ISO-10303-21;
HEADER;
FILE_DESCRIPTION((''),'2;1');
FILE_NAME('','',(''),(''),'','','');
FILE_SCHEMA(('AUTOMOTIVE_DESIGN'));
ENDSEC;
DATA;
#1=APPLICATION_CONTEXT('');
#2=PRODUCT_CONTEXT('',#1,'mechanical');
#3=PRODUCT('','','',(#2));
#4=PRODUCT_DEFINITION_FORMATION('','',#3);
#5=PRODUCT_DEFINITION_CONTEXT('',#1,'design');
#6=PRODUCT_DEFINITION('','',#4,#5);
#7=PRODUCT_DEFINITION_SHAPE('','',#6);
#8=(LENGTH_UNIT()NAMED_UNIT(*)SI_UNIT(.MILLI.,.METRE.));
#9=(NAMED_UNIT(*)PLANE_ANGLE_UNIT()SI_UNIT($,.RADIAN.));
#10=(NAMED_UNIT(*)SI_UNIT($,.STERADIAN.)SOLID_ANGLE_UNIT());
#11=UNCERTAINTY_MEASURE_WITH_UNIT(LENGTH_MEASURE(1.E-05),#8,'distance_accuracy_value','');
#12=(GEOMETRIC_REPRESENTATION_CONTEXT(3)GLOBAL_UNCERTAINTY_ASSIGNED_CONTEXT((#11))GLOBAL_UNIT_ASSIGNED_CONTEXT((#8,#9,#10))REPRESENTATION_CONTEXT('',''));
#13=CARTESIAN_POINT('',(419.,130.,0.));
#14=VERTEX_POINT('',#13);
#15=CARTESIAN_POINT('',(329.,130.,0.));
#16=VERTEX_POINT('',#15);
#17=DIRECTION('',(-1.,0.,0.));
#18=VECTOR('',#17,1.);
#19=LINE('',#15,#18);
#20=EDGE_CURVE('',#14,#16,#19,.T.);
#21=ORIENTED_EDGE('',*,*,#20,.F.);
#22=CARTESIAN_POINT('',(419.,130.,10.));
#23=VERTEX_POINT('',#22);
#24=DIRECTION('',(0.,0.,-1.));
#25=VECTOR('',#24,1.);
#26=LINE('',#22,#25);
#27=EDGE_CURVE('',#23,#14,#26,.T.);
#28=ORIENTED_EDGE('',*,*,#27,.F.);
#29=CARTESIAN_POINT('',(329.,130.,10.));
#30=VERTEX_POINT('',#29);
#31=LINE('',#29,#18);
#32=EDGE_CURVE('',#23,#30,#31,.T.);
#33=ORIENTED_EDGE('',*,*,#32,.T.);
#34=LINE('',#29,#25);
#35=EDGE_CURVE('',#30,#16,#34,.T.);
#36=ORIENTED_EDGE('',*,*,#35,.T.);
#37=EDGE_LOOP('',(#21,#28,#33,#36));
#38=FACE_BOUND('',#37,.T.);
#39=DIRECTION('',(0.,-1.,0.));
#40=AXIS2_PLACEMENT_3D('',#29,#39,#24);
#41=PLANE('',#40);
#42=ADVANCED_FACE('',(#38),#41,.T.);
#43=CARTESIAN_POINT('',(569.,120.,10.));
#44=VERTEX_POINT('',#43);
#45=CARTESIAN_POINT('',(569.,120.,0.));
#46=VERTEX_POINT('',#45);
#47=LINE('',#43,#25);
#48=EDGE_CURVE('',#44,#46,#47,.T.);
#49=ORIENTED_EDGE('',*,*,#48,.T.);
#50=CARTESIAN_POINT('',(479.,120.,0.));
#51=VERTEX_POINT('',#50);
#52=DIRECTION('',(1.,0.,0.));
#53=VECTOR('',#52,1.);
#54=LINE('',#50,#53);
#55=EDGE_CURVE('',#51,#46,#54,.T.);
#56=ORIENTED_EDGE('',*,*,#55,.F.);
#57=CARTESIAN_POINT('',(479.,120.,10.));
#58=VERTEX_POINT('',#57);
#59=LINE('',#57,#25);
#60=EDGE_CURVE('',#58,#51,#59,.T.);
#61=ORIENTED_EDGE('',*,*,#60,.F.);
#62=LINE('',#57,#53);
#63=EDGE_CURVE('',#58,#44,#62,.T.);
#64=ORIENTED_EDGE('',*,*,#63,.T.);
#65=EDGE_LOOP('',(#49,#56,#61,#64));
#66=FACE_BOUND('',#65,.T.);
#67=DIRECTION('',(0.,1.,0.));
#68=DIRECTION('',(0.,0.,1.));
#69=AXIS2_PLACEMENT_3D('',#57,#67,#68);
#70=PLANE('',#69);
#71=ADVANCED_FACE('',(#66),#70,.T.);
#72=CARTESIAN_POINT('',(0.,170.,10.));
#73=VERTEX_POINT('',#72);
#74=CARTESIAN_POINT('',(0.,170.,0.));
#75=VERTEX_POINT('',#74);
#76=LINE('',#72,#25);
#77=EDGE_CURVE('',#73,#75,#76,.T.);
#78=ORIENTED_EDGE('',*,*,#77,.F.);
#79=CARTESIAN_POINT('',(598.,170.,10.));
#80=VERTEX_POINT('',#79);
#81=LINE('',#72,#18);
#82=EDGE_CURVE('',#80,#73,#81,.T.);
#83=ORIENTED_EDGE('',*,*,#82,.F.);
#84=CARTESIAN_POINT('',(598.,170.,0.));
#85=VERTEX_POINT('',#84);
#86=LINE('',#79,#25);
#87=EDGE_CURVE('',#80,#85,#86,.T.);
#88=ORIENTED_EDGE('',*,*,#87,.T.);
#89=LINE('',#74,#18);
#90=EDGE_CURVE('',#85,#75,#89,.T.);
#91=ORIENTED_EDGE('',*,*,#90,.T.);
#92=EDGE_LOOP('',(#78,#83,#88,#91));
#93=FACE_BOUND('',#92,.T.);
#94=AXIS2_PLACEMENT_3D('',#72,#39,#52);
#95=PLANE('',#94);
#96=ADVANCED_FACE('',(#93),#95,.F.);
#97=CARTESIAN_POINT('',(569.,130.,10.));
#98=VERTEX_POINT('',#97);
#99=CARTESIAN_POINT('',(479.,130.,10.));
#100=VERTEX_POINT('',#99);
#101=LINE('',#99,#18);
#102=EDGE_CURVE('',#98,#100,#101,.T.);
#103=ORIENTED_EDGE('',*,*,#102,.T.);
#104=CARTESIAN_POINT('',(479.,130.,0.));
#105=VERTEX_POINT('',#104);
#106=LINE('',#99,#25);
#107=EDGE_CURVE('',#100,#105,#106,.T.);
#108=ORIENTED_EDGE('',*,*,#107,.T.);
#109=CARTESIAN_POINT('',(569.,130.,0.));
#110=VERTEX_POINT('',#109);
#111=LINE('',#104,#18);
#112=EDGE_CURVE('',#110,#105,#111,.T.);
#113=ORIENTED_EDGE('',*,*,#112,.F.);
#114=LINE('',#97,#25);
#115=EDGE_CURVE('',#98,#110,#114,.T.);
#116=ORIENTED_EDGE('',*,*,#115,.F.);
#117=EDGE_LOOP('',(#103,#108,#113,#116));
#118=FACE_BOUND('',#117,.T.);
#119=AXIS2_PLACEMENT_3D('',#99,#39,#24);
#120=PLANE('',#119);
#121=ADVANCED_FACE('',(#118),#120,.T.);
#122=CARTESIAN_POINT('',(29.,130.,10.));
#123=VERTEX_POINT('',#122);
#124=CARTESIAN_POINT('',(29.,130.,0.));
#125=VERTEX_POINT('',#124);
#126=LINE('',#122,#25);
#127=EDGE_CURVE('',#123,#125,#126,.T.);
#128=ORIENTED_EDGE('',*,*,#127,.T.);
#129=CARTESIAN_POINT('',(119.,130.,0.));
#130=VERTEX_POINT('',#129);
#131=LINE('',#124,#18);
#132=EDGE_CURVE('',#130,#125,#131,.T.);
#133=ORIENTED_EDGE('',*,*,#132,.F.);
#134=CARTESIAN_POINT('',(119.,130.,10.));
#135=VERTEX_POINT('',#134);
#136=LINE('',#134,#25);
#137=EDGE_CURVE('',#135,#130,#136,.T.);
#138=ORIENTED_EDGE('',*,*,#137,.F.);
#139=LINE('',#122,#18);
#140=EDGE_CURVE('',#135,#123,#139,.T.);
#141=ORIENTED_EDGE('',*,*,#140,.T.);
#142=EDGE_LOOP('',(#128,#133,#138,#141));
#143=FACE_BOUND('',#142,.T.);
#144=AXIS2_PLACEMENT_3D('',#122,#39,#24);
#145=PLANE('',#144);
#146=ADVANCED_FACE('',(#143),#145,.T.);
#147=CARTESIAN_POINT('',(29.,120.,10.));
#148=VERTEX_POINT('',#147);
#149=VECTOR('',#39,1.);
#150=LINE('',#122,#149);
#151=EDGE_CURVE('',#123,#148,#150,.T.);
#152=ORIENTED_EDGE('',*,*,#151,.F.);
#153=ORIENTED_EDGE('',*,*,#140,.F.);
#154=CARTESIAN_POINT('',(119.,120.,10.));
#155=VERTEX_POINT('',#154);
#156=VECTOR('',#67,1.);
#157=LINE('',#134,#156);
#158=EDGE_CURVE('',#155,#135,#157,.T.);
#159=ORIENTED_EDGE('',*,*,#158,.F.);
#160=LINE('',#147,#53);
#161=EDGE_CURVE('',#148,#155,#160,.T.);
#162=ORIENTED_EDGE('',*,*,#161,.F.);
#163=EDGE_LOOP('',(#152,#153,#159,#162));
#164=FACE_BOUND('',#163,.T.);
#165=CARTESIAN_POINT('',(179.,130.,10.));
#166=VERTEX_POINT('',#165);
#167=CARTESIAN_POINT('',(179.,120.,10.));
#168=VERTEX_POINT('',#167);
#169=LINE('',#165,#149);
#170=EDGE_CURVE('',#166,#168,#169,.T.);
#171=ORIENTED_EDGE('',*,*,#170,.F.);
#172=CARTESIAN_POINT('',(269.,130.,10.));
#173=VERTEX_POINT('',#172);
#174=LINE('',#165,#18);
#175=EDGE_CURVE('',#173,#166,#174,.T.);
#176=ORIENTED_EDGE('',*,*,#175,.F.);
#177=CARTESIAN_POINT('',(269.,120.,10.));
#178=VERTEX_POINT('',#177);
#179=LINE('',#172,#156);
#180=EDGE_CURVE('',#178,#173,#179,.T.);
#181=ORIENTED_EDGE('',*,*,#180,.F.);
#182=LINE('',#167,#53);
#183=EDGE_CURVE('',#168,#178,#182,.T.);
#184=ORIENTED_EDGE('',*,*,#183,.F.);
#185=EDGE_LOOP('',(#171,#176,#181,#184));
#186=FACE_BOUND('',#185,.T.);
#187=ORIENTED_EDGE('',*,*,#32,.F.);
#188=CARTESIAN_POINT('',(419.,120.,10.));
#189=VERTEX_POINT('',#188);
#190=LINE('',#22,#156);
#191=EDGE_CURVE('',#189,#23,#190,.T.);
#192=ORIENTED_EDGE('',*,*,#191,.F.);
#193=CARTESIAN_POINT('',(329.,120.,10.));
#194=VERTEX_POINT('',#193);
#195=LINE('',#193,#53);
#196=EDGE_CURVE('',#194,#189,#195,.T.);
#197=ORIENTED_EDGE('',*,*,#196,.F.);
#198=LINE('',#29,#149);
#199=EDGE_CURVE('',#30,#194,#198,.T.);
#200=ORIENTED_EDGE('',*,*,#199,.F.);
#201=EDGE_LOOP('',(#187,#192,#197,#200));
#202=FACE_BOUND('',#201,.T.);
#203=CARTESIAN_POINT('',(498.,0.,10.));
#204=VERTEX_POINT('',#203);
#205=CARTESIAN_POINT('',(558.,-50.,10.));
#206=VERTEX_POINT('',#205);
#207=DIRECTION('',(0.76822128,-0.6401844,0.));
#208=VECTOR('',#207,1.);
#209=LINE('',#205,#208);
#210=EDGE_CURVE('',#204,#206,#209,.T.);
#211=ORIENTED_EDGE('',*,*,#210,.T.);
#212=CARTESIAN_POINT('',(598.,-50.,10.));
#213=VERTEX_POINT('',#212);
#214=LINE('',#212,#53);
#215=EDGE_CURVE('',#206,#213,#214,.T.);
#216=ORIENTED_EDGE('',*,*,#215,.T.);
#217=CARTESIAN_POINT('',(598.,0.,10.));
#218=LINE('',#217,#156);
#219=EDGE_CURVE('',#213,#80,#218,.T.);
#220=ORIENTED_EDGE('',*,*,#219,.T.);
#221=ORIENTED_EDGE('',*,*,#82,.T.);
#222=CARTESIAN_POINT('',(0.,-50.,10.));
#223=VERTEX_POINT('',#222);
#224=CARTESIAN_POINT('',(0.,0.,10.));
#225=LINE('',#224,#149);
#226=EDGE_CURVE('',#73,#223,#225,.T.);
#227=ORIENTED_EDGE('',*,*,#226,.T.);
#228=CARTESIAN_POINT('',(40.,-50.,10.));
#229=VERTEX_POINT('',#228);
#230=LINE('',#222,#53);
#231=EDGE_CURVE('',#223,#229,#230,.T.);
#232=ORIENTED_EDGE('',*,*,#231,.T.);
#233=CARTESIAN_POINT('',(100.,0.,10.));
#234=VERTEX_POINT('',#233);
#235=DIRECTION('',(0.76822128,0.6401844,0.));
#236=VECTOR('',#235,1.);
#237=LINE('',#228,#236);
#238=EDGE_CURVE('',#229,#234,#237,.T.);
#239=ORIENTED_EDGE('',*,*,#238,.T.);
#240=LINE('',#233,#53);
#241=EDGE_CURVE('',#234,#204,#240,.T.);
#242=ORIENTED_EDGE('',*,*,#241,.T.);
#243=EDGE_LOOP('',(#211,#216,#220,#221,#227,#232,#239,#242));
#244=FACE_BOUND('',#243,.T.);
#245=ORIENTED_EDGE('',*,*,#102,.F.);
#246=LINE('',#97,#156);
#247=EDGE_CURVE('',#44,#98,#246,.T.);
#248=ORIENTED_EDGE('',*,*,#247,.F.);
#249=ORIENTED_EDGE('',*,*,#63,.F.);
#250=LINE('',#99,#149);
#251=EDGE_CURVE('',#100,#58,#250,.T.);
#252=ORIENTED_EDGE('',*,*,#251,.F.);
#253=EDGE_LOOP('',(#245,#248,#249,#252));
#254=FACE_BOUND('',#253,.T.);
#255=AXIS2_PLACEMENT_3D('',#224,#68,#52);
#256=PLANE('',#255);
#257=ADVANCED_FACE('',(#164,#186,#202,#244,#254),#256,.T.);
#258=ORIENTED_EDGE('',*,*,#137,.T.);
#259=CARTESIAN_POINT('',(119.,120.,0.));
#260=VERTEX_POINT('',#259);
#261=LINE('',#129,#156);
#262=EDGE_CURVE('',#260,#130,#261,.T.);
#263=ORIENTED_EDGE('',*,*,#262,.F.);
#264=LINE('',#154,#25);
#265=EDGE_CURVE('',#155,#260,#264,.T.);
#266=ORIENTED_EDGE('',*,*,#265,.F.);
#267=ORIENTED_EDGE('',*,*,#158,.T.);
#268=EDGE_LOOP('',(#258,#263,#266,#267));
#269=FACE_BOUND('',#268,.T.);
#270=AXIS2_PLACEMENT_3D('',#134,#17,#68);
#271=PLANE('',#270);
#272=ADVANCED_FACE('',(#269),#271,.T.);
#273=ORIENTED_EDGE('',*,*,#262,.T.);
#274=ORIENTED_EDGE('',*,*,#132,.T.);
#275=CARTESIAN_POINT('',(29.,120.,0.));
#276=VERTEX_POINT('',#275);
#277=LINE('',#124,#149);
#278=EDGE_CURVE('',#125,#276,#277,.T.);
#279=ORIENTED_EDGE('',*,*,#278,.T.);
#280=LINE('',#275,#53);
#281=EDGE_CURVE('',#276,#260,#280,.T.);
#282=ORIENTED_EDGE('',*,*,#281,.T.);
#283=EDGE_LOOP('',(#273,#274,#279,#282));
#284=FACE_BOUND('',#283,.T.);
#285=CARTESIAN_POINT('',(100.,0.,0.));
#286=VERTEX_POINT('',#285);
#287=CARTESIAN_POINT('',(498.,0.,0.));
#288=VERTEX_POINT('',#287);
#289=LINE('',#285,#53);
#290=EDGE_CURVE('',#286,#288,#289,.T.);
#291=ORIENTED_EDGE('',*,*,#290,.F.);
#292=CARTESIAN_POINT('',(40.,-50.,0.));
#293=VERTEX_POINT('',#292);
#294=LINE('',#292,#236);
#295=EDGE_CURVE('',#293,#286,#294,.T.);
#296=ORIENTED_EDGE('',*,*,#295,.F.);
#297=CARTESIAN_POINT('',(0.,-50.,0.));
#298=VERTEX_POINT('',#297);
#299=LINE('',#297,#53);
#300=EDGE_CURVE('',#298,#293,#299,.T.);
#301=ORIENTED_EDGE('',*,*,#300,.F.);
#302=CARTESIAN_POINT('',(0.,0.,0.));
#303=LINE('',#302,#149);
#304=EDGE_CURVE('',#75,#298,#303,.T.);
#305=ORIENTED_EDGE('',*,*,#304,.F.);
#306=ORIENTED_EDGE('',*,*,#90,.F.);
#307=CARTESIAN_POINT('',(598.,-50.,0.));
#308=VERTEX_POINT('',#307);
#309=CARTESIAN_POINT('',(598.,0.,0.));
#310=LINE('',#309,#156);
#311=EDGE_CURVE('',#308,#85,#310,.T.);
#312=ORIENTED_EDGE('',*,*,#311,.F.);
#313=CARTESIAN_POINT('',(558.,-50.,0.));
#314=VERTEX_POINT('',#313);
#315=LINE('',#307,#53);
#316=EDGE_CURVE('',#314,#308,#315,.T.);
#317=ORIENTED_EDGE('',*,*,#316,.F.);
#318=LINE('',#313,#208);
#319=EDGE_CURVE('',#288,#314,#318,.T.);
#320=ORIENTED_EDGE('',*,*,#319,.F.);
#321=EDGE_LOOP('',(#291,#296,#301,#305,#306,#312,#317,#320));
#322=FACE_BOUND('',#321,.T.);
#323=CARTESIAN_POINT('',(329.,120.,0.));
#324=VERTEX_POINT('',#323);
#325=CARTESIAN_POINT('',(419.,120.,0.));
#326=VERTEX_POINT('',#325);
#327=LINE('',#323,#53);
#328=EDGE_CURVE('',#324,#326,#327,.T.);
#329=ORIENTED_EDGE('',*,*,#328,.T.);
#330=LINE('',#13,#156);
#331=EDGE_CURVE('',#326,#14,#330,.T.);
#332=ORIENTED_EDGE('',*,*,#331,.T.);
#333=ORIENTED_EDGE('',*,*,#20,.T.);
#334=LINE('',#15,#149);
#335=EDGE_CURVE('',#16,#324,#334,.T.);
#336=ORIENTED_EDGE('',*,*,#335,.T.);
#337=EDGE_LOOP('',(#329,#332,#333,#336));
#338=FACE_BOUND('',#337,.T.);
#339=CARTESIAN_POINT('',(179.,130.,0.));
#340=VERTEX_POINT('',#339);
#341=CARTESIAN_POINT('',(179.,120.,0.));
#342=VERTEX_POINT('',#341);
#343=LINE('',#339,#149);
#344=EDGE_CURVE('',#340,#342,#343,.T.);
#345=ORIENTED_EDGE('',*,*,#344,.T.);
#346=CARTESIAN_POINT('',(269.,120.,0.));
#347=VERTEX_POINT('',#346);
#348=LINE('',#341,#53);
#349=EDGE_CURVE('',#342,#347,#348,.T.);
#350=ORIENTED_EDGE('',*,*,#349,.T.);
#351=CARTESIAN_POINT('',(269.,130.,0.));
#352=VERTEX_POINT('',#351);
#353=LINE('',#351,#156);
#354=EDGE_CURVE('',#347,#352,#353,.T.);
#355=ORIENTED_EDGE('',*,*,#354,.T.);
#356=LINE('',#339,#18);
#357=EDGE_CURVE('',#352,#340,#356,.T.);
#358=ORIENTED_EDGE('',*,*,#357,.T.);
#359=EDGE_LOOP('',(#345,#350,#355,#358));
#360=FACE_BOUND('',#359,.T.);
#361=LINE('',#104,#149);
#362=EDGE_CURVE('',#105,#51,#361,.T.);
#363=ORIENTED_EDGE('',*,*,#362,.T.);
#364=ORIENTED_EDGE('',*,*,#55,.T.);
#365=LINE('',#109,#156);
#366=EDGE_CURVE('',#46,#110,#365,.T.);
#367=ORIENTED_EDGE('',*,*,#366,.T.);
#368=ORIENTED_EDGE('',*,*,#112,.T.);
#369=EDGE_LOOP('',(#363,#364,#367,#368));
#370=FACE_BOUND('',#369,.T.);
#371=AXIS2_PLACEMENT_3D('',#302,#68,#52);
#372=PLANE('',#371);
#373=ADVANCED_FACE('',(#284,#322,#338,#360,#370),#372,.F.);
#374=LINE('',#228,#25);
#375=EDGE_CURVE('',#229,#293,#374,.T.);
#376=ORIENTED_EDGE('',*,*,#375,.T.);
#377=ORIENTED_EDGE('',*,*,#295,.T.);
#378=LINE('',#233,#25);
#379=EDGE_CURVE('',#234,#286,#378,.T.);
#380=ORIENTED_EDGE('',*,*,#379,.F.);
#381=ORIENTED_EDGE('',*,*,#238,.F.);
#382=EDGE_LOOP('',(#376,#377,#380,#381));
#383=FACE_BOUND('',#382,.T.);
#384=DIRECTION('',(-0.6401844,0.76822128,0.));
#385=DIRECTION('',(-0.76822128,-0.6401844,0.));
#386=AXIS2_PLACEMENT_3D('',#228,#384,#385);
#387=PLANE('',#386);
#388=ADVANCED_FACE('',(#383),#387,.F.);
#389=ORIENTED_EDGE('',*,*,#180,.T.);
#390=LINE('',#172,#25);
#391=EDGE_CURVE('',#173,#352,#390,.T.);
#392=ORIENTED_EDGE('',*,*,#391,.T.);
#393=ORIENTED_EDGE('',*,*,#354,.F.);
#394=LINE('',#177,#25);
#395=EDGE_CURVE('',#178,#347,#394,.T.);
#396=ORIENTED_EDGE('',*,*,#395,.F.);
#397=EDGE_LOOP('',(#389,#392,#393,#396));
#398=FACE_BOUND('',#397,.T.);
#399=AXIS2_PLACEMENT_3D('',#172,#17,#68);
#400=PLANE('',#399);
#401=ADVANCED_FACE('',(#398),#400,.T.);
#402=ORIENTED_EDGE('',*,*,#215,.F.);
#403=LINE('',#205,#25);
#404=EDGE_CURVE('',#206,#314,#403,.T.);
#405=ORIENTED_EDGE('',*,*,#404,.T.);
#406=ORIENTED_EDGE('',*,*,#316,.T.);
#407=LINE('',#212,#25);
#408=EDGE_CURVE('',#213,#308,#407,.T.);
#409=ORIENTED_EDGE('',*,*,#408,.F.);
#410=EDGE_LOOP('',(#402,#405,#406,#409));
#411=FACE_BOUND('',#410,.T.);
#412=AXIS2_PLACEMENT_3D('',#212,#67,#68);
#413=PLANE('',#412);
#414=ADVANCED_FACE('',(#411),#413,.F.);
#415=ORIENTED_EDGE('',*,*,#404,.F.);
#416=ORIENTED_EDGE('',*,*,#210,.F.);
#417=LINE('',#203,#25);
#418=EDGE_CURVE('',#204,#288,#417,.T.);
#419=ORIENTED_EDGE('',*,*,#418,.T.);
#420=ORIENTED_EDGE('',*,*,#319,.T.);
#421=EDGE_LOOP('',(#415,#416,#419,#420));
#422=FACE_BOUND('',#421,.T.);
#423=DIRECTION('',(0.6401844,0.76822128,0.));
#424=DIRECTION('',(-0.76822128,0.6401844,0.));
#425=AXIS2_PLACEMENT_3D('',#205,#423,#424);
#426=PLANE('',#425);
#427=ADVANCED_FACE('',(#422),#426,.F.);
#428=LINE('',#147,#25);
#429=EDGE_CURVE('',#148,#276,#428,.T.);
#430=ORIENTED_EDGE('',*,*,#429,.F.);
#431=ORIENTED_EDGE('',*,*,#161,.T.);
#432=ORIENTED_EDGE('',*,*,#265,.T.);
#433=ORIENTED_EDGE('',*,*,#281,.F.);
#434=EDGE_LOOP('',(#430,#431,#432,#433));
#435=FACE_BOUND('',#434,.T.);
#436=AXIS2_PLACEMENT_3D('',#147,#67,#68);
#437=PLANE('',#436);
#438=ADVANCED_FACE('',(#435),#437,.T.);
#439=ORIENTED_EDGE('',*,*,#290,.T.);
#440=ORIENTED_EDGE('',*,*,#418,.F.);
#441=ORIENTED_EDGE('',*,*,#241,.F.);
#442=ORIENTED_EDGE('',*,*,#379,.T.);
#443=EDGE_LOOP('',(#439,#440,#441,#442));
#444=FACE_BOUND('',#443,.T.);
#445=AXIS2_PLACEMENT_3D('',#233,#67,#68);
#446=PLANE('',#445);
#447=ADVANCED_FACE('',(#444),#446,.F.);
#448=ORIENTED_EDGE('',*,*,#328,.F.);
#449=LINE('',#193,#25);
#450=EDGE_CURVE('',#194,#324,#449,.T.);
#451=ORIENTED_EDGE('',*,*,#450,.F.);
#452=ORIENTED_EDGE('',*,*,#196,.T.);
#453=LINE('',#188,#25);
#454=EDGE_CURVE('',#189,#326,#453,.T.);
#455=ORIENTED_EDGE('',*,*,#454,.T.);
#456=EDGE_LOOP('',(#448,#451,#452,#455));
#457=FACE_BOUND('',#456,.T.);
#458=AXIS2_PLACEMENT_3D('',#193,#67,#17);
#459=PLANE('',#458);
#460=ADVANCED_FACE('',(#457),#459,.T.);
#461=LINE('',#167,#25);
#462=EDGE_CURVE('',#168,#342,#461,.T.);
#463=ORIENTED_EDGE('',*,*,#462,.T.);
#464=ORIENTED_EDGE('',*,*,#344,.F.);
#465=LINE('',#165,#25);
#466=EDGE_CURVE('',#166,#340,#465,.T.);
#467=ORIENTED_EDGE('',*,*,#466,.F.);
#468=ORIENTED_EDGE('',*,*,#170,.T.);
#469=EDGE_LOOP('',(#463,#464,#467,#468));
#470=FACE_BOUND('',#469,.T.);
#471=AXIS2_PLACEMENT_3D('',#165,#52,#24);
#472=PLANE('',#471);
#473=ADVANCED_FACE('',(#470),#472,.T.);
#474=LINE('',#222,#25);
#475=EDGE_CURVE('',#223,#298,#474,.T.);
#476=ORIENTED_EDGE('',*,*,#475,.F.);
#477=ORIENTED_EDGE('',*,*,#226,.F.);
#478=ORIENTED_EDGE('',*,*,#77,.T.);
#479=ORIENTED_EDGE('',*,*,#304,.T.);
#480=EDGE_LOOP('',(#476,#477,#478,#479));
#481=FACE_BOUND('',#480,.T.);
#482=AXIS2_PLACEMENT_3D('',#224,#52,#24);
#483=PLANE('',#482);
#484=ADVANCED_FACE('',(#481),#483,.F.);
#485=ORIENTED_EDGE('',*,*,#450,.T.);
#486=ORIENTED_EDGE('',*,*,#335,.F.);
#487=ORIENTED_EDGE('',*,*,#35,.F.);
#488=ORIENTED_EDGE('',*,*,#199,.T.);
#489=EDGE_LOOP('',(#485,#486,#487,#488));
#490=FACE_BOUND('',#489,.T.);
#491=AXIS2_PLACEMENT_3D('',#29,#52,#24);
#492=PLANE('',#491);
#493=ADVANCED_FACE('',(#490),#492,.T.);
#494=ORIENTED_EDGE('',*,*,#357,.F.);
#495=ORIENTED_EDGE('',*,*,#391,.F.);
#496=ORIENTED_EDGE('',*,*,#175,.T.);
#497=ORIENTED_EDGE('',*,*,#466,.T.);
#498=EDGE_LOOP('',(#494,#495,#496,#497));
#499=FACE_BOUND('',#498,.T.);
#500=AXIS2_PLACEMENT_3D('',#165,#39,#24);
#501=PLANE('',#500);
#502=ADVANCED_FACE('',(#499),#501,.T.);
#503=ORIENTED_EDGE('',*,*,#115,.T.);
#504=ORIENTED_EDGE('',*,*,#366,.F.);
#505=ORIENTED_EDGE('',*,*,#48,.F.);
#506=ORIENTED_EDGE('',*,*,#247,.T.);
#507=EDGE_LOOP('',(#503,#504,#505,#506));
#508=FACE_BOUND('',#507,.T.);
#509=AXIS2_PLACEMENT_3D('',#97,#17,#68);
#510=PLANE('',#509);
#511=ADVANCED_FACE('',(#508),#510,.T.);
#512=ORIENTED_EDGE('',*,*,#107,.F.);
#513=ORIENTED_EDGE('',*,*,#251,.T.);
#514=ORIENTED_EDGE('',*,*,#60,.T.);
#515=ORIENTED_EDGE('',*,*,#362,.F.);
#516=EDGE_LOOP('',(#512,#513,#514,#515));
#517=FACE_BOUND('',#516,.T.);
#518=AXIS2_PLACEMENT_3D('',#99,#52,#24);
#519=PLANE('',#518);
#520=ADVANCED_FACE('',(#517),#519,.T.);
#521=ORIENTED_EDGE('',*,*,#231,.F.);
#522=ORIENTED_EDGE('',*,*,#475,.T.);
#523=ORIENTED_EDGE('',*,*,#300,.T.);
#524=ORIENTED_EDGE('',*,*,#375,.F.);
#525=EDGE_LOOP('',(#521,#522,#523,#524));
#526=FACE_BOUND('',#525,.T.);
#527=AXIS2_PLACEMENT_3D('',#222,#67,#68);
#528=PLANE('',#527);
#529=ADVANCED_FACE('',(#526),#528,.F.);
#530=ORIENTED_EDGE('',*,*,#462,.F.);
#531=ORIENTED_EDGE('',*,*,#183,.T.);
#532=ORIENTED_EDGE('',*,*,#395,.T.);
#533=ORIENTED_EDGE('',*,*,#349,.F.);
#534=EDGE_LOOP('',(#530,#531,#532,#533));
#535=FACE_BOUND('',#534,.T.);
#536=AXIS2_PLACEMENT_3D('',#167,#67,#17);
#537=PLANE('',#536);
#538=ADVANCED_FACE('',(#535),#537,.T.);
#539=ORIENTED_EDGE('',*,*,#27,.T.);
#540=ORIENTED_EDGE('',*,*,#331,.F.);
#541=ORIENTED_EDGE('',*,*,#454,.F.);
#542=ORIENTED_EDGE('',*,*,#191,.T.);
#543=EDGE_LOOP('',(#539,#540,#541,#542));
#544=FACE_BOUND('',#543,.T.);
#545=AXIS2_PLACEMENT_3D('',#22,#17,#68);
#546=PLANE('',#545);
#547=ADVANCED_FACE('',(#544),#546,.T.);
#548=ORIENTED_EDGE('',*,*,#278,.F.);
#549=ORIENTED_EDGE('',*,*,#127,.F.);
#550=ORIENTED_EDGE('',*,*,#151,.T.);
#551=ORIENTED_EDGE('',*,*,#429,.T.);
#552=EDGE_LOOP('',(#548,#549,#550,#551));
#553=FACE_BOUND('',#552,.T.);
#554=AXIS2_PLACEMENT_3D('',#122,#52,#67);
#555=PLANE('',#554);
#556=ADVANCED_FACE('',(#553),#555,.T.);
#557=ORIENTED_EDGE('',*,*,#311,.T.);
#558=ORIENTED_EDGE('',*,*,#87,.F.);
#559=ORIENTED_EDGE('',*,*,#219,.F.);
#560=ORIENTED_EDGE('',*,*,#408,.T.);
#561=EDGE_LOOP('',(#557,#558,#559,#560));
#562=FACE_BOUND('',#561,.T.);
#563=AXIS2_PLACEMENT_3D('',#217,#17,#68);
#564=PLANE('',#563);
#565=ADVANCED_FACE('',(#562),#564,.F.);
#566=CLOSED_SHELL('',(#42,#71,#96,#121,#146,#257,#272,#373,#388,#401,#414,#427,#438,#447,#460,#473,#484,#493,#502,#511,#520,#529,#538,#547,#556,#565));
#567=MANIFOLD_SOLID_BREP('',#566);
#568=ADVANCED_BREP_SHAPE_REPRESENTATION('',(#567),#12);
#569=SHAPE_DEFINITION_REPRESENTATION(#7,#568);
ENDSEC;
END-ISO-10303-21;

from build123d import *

# Parameters (mm, degrees)
ESQUISSE1_W        = 90
ESQUISSE1_H        = 10
BOSS_EXTRU_1_DEPTH = 10


with BuildPart() as part:
    # Esquisse1 → Boss.-Extru.1 (new body)
    with BuildSketch(Plane.XY):
        Polygon((0, 170), (598, 170), (598, 0), (598, -50), (558, -50), (498, 0), (100, 0), (40, -50), (0, -50), (0, 0), align=None)
        with Locations((224, 125)):
            Rectangle(ESQUISSE1_W, ESQUISSE1_H, mode=Mode.SUBTRACT)
        with Locations((374, 125)):
            Rectangle(ESQUISSE1_W, ESQUISSE1_H, mode=Mode.SUBTRACT)
        with Locations((74, 125)):
            Rectangle(ESQUISSE1_W, ESQUISSE1_H, mode=Mode.SUBTRACT)
        with Locations((524, 125)):
            Rectangle(ESQUISSE1_W, ESQUISSE1_H, mode=Mode.SUBTRACT)
    extrude(amount=BOSS_EXTRU_1_DEPTH)


solid = part.part
